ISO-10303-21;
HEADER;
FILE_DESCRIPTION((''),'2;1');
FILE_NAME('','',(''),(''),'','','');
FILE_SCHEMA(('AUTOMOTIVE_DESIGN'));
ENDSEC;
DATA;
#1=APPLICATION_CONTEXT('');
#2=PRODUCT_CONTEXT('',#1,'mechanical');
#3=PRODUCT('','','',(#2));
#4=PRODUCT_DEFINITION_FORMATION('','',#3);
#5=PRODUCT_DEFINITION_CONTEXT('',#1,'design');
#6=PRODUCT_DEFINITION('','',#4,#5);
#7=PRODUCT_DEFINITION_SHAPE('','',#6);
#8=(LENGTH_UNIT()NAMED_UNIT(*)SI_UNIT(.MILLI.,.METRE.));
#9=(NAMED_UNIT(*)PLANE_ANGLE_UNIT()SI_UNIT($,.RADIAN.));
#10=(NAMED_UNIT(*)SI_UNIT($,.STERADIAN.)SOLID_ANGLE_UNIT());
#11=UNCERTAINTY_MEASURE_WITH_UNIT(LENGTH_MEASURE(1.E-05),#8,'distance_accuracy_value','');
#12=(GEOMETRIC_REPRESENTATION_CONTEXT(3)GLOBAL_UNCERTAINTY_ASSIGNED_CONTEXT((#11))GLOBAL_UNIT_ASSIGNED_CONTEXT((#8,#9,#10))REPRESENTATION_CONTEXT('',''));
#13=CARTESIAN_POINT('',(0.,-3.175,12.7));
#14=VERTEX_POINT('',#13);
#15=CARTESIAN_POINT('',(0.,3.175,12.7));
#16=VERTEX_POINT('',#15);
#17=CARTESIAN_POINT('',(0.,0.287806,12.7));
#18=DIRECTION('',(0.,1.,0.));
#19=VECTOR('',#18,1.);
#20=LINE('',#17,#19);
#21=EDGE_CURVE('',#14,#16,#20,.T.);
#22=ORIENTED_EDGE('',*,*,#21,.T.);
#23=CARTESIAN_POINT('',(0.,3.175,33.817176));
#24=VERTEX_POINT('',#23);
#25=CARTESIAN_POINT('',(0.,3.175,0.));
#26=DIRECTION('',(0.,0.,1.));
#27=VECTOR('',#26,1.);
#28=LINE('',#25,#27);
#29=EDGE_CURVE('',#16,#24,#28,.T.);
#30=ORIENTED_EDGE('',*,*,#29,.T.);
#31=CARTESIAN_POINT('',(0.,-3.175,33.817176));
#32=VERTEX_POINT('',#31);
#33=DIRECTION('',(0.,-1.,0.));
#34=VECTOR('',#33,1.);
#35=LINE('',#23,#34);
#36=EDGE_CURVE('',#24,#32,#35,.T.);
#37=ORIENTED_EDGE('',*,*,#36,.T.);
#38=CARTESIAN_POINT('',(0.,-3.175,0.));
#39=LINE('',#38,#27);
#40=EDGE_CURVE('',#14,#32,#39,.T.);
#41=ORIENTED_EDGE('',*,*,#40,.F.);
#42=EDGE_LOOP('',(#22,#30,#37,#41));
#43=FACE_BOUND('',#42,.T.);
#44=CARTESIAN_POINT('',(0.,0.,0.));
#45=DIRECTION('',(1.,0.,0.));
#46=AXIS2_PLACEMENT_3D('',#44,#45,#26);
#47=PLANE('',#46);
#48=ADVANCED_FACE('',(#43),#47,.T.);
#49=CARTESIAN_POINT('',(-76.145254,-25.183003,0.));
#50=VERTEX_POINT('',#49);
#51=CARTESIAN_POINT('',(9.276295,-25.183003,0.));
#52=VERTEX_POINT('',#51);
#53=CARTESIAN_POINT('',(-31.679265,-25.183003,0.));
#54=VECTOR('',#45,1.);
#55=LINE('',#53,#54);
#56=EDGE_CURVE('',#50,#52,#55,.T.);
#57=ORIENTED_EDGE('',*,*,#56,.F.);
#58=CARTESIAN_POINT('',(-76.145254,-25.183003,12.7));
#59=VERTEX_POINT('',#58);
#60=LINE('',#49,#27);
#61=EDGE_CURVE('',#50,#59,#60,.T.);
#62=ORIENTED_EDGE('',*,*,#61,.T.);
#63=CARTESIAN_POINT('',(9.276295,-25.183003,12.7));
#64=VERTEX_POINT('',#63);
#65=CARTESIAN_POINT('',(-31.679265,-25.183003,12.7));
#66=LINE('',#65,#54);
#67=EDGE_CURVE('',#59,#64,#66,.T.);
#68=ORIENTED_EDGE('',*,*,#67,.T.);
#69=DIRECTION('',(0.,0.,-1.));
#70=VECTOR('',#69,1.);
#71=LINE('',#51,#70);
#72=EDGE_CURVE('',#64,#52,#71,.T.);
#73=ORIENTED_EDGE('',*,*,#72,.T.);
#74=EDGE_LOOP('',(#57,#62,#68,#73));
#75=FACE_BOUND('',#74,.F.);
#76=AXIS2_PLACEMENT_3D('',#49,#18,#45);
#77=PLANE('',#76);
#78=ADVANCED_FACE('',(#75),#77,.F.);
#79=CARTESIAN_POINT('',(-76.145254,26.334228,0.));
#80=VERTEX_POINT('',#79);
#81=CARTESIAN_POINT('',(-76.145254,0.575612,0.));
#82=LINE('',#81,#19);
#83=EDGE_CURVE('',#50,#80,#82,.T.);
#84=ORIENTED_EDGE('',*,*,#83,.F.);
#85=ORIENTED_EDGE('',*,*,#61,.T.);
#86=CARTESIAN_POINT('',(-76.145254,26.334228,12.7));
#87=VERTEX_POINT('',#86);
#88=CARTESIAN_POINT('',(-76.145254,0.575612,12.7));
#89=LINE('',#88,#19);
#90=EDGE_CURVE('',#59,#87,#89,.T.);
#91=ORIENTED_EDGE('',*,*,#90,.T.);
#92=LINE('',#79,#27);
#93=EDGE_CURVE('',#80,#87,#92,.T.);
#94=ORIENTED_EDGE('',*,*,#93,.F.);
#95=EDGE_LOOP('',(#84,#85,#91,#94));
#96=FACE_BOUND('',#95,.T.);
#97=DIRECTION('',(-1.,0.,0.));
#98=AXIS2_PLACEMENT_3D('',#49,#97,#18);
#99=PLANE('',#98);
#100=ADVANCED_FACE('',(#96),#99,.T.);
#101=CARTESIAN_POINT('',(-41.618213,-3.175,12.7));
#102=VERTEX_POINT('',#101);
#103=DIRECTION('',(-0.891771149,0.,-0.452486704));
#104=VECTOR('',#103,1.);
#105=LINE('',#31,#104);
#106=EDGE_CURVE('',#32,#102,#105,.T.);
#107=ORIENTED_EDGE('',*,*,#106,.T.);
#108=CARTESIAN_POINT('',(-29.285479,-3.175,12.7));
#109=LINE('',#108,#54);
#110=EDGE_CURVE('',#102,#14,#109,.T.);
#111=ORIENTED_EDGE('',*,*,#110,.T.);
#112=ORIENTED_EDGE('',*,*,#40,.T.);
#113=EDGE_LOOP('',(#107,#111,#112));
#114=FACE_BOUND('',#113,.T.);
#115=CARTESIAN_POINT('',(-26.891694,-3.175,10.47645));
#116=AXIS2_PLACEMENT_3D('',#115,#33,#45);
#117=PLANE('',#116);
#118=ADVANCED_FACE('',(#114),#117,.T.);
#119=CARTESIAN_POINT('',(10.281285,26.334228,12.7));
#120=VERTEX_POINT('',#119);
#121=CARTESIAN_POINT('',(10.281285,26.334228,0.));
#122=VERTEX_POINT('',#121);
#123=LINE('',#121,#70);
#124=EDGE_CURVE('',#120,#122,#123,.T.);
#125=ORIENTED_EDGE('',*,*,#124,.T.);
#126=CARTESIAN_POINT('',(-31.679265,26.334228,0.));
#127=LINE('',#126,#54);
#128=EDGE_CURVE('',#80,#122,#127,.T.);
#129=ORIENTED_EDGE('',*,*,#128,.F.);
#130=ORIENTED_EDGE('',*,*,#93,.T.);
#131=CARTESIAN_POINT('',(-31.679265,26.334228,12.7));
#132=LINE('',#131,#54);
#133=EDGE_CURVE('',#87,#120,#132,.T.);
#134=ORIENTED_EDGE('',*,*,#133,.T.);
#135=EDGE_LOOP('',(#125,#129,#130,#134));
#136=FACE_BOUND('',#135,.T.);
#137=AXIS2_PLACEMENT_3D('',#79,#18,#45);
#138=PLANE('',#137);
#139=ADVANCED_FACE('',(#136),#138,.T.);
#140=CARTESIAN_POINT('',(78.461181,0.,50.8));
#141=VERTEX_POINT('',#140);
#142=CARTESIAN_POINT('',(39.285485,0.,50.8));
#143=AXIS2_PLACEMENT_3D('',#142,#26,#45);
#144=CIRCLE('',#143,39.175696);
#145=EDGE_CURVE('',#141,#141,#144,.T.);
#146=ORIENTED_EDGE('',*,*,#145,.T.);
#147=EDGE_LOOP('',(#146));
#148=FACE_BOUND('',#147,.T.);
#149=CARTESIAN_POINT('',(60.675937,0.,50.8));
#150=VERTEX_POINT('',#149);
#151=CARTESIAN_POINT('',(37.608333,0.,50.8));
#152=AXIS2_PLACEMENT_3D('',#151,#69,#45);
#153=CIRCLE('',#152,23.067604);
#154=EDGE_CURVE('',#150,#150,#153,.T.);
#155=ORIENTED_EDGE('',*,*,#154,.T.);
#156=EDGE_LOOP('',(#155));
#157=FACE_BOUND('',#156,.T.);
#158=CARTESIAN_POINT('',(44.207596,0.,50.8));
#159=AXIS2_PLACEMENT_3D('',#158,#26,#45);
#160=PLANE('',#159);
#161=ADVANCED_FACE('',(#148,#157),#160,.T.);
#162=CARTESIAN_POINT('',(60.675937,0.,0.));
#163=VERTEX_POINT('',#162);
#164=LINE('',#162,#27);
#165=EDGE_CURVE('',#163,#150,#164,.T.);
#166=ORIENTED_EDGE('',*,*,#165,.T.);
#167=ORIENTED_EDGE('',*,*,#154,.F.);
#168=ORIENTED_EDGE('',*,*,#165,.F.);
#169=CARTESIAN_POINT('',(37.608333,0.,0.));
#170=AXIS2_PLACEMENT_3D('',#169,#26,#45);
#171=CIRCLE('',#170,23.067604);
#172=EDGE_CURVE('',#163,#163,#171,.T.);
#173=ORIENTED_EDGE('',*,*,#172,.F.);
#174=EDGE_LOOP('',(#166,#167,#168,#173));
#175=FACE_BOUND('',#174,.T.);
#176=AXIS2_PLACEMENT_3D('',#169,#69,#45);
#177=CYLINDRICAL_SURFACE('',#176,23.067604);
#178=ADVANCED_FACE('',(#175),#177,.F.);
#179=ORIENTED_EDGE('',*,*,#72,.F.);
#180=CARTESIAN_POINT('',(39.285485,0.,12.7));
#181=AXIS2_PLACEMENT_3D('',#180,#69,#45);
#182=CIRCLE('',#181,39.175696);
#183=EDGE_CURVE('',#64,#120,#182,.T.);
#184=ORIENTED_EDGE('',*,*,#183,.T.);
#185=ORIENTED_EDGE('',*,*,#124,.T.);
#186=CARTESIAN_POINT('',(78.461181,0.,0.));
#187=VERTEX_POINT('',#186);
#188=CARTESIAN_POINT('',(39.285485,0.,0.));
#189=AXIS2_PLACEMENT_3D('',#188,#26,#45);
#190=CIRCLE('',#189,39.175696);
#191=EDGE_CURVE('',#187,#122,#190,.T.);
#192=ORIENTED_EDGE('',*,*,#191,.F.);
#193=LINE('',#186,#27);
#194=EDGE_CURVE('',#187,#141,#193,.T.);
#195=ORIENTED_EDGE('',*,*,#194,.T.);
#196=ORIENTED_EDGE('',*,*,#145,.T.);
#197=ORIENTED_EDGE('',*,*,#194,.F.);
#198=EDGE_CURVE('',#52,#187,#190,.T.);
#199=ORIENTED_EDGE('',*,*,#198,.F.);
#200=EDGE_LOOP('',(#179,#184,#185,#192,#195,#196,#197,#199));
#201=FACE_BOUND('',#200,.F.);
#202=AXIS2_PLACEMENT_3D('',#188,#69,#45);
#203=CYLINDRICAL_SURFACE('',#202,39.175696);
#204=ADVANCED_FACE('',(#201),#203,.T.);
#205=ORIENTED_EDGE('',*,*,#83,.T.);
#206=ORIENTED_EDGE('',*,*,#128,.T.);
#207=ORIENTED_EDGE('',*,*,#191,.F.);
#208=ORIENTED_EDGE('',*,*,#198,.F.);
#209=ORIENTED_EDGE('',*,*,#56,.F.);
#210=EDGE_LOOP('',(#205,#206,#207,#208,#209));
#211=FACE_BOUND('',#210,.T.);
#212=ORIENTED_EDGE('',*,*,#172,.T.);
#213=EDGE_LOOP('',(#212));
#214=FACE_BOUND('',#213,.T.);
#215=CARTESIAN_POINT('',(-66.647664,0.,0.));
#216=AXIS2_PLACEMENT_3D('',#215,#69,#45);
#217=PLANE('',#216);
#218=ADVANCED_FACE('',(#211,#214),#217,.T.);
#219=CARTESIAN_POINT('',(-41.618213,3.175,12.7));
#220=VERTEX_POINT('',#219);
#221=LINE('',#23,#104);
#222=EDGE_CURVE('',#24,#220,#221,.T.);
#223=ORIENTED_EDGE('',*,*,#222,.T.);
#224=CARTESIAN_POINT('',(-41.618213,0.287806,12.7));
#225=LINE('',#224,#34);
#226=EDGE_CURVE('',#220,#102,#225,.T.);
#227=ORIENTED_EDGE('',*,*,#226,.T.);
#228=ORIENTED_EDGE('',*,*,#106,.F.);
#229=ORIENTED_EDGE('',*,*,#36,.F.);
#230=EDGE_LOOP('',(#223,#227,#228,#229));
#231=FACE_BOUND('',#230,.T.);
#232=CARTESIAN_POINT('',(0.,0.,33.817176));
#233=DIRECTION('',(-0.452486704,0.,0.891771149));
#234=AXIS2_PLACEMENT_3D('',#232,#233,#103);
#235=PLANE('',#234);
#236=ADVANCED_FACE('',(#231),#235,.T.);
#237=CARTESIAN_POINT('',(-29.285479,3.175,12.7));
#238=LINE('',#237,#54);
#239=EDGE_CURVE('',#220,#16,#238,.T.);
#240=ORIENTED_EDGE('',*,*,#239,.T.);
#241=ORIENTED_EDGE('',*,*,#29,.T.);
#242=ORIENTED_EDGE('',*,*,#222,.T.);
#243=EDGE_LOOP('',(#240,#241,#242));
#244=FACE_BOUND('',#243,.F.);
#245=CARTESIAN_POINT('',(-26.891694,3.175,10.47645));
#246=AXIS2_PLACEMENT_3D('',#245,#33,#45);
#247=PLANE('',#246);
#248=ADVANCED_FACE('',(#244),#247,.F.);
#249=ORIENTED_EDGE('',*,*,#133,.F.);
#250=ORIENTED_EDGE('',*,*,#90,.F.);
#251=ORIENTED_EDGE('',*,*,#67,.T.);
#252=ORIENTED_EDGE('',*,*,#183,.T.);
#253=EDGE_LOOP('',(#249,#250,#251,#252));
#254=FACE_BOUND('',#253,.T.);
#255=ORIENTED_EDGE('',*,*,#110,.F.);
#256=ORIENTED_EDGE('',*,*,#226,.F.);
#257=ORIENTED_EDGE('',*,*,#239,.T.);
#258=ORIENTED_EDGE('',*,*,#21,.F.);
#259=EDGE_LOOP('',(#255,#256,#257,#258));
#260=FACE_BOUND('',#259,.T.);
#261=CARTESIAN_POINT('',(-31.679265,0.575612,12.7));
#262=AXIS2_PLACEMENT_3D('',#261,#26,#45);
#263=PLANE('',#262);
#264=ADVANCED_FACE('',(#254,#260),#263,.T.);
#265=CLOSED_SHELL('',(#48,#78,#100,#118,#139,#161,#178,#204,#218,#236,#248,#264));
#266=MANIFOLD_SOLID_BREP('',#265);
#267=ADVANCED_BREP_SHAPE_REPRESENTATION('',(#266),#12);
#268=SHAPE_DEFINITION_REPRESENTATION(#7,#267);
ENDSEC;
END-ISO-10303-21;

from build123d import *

# Parameters (mm, degrees)
F1_DEPTH = 50.8
F2_R     = 23.0676038816
F3_DEPTH = 130.048
F4_W     = 88.9319777489
F4_H     = 51.5172313899
F5_DEPTH = 12.7
F7_DEPTH = 3.175


with BuildPart() as f1:
    # F0 (on Top) → F1 (new body)
    with BuildSketch(Plane.XY):
        with BuildLine():
            ThreePointArc((16.3361351828, -31.75), (57.1135301245, -34.8840355997), (78.4611805258, 0))
            ThreePointArc((78.4611805258, 0), (57.1135301245, 34.8840355997), (16.3361351828, 31.75))
            Line((16.3361351828, 31.75), (29.5000914484, 31.75))
            Line((29.5000914484, 31.75), (29.5000914484, -31.75))
            Line((29.5000914484, -31.75), (16.3361351828, -31.75))
        make_face()
        with BuildLine():
            Line((29.5000914484, 31.75), (16.3361351828, 31.75))
            ThreePointArc((16.3361351828, 31.75), (0.109788877, 0), (16.3361351828, -31.75))
            Line((16.3361351828, -31.75), (29.5000914484, -31.75))
            Line((29.5000914484, -31.75), (29.5000914484, 31.75))
        make_face()
    extrude(amount=F1_DEPTH)

    # F2 (on Top) → F3 (cut)
    with BuildSketch(Plane.XY):
        with Locations((37.608332932, 0)):
            Circle(F2_R)
    extrude(amount=F3_DEPTH, mode=Mode.SUBTRACT)

    # F4 (on Top) → F5 (join)
    with BuildSketch(Plane.XY):
        with Locations((-31.6792652011, 0.5756122991)):
            Rectangle(F4_W, F4_H)
    extrude(amount=F5_DEPTH)

    # F6 (on Front) → F7 (join, symmetric)
    with BuildSketch(Plane.XZ):
        Polygon((0, 0), (0, 33.8171757758), (-66.6476637125, 0), align=None)
    extrude(amount=F7_DEPTH, both=True)


solid = f1.part
